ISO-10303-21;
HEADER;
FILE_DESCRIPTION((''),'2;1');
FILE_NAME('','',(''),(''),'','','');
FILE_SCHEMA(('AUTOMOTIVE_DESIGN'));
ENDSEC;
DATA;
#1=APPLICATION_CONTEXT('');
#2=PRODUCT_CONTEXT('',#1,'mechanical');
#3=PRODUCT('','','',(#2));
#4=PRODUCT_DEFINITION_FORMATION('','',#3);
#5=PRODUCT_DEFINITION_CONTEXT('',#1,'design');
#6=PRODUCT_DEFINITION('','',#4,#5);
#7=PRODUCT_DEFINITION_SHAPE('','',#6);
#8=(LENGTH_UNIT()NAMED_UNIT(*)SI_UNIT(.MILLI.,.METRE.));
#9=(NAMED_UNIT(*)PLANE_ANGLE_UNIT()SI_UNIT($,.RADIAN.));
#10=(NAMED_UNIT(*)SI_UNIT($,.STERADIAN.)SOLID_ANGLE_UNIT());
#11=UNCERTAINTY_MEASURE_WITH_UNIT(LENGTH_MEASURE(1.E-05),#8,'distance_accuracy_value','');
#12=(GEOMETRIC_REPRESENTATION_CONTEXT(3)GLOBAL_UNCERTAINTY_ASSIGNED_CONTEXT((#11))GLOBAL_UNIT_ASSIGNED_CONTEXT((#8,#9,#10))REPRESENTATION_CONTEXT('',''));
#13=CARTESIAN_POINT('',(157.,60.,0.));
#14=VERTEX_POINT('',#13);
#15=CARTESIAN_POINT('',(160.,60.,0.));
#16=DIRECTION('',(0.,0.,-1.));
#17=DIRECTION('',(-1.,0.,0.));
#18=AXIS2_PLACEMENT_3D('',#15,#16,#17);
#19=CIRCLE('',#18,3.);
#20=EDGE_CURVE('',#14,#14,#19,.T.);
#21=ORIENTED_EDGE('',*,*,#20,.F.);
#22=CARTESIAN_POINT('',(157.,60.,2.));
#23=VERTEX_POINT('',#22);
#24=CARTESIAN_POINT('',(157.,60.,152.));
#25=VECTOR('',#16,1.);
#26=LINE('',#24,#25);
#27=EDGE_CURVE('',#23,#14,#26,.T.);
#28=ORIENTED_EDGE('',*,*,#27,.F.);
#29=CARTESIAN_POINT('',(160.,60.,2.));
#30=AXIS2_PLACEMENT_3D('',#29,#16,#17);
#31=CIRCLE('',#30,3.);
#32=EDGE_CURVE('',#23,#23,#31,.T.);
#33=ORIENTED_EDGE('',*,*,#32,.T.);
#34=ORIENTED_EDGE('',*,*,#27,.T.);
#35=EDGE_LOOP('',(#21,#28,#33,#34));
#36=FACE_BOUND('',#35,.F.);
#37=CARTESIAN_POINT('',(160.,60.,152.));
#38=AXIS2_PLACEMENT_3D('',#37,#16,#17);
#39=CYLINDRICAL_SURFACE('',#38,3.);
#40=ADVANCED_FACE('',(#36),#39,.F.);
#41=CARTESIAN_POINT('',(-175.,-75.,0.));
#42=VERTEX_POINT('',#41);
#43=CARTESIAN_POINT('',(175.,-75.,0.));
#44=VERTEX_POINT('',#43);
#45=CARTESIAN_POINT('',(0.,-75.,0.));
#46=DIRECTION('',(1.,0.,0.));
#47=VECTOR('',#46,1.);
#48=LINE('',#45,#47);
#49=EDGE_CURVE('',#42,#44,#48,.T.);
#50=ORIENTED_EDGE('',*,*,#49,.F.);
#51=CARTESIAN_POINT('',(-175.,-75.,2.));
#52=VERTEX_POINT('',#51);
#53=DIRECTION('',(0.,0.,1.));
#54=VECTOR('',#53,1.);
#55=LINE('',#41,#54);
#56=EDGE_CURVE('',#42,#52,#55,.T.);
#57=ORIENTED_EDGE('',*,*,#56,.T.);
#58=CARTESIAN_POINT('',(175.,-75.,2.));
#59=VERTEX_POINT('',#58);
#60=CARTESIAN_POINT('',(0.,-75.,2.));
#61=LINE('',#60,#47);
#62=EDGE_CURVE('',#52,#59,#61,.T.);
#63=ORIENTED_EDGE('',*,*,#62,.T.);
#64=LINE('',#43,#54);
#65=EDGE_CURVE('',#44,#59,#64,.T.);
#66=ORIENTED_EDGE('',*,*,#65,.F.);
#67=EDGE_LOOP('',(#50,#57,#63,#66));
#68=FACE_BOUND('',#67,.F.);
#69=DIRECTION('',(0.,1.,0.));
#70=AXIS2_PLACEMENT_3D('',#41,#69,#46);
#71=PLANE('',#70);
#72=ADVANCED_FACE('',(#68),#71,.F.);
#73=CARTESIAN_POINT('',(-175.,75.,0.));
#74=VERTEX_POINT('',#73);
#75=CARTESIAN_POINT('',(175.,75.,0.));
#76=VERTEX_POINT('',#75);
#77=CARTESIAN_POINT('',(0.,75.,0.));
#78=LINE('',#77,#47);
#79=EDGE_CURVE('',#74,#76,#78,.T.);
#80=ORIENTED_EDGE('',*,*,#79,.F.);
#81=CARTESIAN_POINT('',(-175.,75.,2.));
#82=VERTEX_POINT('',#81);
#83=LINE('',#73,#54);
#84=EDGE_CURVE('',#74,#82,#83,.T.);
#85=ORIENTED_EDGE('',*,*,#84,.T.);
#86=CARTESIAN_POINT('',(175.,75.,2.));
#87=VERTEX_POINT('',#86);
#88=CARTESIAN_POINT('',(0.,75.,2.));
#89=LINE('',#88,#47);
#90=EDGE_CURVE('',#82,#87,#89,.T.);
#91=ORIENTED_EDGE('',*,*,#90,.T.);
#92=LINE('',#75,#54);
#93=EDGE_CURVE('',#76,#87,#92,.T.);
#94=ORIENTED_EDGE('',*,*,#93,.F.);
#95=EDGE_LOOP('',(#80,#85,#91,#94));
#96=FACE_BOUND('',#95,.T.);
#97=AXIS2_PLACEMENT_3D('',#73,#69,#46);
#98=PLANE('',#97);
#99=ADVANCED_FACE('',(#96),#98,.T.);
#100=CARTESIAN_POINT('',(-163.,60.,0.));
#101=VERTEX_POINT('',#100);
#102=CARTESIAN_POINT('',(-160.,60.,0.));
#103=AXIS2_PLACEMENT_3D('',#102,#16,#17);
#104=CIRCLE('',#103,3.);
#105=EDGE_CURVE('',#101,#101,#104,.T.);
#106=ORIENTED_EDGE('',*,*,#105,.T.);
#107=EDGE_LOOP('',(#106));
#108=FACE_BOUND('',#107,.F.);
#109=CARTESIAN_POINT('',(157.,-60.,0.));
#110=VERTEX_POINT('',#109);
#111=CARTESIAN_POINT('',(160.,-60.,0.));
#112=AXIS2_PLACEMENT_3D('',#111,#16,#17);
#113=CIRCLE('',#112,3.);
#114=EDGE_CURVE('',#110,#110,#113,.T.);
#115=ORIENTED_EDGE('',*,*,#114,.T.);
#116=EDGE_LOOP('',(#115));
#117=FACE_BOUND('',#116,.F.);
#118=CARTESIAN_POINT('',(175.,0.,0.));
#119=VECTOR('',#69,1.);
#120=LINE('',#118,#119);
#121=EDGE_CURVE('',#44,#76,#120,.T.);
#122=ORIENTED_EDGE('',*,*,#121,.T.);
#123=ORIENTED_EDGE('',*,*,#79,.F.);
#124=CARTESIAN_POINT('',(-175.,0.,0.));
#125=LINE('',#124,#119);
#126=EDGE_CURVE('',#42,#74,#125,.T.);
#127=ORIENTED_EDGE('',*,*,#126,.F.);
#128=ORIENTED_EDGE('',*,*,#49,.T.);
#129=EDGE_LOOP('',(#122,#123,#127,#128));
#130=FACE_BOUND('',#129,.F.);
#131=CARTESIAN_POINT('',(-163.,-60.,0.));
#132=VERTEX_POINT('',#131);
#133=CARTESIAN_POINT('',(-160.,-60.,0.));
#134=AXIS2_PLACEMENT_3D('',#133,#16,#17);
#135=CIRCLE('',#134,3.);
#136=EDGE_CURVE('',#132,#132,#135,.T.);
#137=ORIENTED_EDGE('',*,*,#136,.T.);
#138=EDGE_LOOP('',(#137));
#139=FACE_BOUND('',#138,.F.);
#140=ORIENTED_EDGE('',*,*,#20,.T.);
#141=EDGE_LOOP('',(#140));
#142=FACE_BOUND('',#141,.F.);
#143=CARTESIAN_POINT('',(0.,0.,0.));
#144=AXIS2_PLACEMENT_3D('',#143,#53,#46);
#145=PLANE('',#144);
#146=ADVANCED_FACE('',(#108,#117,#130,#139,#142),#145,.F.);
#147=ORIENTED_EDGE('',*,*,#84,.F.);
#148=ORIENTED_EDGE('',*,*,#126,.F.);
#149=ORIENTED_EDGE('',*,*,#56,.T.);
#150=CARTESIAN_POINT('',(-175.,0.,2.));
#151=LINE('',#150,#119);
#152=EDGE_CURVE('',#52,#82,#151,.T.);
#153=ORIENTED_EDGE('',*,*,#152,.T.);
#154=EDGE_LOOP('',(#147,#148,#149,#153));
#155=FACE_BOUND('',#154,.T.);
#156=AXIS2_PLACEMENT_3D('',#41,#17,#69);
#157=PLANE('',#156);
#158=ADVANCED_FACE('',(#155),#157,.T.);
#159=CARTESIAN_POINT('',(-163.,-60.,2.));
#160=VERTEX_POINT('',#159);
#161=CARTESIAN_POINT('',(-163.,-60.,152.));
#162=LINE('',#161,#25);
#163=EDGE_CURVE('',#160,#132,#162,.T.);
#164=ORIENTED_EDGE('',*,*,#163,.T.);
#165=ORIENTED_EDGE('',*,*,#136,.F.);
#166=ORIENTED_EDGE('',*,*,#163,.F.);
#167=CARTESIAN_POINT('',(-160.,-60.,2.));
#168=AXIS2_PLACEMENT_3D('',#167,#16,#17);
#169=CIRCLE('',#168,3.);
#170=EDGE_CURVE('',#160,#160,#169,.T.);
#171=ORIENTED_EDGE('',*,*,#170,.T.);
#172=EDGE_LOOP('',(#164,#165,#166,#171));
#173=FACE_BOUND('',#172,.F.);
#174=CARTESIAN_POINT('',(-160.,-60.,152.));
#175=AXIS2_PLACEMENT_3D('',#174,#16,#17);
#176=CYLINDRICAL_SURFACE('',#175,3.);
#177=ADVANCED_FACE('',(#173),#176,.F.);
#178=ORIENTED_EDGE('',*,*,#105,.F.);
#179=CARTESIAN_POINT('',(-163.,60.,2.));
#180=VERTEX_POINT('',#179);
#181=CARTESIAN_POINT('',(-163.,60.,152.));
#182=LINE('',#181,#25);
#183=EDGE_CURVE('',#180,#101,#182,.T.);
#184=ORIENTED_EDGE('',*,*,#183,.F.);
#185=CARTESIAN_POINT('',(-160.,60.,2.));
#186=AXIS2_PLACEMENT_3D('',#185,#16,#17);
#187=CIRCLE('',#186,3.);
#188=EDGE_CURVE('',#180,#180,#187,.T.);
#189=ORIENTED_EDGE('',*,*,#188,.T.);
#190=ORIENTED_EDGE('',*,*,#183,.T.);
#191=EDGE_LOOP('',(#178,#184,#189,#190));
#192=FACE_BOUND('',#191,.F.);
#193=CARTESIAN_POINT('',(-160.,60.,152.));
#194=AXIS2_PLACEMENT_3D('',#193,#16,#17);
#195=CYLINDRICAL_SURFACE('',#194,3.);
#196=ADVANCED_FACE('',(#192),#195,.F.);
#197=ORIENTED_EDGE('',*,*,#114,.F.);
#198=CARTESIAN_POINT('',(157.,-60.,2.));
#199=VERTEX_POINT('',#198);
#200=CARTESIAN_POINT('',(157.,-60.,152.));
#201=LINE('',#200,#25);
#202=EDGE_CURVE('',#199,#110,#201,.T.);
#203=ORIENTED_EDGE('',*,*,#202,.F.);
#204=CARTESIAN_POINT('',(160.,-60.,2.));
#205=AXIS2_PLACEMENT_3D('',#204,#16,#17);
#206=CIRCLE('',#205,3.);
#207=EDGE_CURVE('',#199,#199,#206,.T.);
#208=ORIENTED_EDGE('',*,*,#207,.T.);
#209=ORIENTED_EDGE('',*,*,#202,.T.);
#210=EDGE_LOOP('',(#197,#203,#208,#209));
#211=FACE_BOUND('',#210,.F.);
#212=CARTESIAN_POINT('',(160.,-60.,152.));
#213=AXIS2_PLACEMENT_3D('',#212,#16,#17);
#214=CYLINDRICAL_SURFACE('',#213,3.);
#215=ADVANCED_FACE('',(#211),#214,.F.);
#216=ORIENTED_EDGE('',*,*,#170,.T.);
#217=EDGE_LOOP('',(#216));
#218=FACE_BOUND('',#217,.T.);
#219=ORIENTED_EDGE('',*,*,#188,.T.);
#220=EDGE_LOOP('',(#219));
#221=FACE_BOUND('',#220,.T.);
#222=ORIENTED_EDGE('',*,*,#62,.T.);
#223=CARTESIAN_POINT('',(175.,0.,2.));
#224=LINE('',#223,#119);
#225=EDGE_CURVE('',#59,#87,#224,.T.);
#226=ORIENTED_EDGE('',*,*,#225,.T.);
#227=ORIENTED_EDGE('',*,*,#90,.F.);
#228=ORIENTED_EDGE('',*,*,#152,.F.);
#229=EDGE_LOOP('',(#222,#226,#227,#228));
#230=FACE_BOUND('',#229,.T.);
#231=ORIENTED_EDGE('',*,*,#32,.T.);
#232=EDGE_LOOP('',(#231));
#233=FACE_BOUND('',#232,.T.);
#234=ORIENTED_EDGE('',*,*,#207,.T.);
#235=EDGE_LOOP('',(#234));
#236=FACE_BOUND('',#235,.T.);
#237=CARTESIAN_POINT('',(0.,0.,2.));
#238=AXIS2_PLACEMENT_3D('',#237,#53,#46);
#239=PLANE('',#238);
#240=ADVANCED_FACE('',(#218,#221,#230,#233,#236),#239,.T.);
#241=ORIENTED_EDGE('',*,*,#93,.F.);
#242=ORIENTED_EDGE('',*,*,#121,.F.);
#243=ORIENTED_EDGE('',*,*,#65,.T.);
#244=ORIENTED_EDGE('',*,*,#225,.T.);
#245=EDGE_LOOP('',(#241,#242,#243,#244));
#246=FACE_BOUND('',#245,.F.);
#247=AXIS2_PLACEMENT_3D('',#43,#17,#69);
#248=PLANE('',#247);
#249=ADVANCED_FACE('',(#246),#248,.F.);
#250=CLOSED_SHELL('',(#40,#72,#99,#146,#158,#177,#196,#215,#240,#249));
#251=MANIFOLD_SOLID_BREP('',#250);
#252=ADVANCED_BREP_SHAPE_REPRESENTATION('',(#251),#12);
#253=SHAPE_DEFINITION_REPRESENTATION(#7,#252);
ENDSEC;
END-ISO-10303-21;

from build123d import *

# Parameters (mm, degrees)
F0_W     = 350
F0_H     = 150
F1_DEPTH = 2
F3_D     = 6
F3_DEPTH = 150


with BuildPart() as f1:
    # F0 (on Top) → F1 (new body)
    with BuildSketch(Plane.XY):
        Rectangle(F0_W, F0_H)
    extrude(amount=F1_DEPTH)

    # F3
    with Locations(Plane.XY.offset(2)):
        with Locations((-160, 60), (-160, -60), (160, 60), (160, -60)):
            Hole(F3_D / 2, depth=F3_DEPTH)


solid = f1.part
